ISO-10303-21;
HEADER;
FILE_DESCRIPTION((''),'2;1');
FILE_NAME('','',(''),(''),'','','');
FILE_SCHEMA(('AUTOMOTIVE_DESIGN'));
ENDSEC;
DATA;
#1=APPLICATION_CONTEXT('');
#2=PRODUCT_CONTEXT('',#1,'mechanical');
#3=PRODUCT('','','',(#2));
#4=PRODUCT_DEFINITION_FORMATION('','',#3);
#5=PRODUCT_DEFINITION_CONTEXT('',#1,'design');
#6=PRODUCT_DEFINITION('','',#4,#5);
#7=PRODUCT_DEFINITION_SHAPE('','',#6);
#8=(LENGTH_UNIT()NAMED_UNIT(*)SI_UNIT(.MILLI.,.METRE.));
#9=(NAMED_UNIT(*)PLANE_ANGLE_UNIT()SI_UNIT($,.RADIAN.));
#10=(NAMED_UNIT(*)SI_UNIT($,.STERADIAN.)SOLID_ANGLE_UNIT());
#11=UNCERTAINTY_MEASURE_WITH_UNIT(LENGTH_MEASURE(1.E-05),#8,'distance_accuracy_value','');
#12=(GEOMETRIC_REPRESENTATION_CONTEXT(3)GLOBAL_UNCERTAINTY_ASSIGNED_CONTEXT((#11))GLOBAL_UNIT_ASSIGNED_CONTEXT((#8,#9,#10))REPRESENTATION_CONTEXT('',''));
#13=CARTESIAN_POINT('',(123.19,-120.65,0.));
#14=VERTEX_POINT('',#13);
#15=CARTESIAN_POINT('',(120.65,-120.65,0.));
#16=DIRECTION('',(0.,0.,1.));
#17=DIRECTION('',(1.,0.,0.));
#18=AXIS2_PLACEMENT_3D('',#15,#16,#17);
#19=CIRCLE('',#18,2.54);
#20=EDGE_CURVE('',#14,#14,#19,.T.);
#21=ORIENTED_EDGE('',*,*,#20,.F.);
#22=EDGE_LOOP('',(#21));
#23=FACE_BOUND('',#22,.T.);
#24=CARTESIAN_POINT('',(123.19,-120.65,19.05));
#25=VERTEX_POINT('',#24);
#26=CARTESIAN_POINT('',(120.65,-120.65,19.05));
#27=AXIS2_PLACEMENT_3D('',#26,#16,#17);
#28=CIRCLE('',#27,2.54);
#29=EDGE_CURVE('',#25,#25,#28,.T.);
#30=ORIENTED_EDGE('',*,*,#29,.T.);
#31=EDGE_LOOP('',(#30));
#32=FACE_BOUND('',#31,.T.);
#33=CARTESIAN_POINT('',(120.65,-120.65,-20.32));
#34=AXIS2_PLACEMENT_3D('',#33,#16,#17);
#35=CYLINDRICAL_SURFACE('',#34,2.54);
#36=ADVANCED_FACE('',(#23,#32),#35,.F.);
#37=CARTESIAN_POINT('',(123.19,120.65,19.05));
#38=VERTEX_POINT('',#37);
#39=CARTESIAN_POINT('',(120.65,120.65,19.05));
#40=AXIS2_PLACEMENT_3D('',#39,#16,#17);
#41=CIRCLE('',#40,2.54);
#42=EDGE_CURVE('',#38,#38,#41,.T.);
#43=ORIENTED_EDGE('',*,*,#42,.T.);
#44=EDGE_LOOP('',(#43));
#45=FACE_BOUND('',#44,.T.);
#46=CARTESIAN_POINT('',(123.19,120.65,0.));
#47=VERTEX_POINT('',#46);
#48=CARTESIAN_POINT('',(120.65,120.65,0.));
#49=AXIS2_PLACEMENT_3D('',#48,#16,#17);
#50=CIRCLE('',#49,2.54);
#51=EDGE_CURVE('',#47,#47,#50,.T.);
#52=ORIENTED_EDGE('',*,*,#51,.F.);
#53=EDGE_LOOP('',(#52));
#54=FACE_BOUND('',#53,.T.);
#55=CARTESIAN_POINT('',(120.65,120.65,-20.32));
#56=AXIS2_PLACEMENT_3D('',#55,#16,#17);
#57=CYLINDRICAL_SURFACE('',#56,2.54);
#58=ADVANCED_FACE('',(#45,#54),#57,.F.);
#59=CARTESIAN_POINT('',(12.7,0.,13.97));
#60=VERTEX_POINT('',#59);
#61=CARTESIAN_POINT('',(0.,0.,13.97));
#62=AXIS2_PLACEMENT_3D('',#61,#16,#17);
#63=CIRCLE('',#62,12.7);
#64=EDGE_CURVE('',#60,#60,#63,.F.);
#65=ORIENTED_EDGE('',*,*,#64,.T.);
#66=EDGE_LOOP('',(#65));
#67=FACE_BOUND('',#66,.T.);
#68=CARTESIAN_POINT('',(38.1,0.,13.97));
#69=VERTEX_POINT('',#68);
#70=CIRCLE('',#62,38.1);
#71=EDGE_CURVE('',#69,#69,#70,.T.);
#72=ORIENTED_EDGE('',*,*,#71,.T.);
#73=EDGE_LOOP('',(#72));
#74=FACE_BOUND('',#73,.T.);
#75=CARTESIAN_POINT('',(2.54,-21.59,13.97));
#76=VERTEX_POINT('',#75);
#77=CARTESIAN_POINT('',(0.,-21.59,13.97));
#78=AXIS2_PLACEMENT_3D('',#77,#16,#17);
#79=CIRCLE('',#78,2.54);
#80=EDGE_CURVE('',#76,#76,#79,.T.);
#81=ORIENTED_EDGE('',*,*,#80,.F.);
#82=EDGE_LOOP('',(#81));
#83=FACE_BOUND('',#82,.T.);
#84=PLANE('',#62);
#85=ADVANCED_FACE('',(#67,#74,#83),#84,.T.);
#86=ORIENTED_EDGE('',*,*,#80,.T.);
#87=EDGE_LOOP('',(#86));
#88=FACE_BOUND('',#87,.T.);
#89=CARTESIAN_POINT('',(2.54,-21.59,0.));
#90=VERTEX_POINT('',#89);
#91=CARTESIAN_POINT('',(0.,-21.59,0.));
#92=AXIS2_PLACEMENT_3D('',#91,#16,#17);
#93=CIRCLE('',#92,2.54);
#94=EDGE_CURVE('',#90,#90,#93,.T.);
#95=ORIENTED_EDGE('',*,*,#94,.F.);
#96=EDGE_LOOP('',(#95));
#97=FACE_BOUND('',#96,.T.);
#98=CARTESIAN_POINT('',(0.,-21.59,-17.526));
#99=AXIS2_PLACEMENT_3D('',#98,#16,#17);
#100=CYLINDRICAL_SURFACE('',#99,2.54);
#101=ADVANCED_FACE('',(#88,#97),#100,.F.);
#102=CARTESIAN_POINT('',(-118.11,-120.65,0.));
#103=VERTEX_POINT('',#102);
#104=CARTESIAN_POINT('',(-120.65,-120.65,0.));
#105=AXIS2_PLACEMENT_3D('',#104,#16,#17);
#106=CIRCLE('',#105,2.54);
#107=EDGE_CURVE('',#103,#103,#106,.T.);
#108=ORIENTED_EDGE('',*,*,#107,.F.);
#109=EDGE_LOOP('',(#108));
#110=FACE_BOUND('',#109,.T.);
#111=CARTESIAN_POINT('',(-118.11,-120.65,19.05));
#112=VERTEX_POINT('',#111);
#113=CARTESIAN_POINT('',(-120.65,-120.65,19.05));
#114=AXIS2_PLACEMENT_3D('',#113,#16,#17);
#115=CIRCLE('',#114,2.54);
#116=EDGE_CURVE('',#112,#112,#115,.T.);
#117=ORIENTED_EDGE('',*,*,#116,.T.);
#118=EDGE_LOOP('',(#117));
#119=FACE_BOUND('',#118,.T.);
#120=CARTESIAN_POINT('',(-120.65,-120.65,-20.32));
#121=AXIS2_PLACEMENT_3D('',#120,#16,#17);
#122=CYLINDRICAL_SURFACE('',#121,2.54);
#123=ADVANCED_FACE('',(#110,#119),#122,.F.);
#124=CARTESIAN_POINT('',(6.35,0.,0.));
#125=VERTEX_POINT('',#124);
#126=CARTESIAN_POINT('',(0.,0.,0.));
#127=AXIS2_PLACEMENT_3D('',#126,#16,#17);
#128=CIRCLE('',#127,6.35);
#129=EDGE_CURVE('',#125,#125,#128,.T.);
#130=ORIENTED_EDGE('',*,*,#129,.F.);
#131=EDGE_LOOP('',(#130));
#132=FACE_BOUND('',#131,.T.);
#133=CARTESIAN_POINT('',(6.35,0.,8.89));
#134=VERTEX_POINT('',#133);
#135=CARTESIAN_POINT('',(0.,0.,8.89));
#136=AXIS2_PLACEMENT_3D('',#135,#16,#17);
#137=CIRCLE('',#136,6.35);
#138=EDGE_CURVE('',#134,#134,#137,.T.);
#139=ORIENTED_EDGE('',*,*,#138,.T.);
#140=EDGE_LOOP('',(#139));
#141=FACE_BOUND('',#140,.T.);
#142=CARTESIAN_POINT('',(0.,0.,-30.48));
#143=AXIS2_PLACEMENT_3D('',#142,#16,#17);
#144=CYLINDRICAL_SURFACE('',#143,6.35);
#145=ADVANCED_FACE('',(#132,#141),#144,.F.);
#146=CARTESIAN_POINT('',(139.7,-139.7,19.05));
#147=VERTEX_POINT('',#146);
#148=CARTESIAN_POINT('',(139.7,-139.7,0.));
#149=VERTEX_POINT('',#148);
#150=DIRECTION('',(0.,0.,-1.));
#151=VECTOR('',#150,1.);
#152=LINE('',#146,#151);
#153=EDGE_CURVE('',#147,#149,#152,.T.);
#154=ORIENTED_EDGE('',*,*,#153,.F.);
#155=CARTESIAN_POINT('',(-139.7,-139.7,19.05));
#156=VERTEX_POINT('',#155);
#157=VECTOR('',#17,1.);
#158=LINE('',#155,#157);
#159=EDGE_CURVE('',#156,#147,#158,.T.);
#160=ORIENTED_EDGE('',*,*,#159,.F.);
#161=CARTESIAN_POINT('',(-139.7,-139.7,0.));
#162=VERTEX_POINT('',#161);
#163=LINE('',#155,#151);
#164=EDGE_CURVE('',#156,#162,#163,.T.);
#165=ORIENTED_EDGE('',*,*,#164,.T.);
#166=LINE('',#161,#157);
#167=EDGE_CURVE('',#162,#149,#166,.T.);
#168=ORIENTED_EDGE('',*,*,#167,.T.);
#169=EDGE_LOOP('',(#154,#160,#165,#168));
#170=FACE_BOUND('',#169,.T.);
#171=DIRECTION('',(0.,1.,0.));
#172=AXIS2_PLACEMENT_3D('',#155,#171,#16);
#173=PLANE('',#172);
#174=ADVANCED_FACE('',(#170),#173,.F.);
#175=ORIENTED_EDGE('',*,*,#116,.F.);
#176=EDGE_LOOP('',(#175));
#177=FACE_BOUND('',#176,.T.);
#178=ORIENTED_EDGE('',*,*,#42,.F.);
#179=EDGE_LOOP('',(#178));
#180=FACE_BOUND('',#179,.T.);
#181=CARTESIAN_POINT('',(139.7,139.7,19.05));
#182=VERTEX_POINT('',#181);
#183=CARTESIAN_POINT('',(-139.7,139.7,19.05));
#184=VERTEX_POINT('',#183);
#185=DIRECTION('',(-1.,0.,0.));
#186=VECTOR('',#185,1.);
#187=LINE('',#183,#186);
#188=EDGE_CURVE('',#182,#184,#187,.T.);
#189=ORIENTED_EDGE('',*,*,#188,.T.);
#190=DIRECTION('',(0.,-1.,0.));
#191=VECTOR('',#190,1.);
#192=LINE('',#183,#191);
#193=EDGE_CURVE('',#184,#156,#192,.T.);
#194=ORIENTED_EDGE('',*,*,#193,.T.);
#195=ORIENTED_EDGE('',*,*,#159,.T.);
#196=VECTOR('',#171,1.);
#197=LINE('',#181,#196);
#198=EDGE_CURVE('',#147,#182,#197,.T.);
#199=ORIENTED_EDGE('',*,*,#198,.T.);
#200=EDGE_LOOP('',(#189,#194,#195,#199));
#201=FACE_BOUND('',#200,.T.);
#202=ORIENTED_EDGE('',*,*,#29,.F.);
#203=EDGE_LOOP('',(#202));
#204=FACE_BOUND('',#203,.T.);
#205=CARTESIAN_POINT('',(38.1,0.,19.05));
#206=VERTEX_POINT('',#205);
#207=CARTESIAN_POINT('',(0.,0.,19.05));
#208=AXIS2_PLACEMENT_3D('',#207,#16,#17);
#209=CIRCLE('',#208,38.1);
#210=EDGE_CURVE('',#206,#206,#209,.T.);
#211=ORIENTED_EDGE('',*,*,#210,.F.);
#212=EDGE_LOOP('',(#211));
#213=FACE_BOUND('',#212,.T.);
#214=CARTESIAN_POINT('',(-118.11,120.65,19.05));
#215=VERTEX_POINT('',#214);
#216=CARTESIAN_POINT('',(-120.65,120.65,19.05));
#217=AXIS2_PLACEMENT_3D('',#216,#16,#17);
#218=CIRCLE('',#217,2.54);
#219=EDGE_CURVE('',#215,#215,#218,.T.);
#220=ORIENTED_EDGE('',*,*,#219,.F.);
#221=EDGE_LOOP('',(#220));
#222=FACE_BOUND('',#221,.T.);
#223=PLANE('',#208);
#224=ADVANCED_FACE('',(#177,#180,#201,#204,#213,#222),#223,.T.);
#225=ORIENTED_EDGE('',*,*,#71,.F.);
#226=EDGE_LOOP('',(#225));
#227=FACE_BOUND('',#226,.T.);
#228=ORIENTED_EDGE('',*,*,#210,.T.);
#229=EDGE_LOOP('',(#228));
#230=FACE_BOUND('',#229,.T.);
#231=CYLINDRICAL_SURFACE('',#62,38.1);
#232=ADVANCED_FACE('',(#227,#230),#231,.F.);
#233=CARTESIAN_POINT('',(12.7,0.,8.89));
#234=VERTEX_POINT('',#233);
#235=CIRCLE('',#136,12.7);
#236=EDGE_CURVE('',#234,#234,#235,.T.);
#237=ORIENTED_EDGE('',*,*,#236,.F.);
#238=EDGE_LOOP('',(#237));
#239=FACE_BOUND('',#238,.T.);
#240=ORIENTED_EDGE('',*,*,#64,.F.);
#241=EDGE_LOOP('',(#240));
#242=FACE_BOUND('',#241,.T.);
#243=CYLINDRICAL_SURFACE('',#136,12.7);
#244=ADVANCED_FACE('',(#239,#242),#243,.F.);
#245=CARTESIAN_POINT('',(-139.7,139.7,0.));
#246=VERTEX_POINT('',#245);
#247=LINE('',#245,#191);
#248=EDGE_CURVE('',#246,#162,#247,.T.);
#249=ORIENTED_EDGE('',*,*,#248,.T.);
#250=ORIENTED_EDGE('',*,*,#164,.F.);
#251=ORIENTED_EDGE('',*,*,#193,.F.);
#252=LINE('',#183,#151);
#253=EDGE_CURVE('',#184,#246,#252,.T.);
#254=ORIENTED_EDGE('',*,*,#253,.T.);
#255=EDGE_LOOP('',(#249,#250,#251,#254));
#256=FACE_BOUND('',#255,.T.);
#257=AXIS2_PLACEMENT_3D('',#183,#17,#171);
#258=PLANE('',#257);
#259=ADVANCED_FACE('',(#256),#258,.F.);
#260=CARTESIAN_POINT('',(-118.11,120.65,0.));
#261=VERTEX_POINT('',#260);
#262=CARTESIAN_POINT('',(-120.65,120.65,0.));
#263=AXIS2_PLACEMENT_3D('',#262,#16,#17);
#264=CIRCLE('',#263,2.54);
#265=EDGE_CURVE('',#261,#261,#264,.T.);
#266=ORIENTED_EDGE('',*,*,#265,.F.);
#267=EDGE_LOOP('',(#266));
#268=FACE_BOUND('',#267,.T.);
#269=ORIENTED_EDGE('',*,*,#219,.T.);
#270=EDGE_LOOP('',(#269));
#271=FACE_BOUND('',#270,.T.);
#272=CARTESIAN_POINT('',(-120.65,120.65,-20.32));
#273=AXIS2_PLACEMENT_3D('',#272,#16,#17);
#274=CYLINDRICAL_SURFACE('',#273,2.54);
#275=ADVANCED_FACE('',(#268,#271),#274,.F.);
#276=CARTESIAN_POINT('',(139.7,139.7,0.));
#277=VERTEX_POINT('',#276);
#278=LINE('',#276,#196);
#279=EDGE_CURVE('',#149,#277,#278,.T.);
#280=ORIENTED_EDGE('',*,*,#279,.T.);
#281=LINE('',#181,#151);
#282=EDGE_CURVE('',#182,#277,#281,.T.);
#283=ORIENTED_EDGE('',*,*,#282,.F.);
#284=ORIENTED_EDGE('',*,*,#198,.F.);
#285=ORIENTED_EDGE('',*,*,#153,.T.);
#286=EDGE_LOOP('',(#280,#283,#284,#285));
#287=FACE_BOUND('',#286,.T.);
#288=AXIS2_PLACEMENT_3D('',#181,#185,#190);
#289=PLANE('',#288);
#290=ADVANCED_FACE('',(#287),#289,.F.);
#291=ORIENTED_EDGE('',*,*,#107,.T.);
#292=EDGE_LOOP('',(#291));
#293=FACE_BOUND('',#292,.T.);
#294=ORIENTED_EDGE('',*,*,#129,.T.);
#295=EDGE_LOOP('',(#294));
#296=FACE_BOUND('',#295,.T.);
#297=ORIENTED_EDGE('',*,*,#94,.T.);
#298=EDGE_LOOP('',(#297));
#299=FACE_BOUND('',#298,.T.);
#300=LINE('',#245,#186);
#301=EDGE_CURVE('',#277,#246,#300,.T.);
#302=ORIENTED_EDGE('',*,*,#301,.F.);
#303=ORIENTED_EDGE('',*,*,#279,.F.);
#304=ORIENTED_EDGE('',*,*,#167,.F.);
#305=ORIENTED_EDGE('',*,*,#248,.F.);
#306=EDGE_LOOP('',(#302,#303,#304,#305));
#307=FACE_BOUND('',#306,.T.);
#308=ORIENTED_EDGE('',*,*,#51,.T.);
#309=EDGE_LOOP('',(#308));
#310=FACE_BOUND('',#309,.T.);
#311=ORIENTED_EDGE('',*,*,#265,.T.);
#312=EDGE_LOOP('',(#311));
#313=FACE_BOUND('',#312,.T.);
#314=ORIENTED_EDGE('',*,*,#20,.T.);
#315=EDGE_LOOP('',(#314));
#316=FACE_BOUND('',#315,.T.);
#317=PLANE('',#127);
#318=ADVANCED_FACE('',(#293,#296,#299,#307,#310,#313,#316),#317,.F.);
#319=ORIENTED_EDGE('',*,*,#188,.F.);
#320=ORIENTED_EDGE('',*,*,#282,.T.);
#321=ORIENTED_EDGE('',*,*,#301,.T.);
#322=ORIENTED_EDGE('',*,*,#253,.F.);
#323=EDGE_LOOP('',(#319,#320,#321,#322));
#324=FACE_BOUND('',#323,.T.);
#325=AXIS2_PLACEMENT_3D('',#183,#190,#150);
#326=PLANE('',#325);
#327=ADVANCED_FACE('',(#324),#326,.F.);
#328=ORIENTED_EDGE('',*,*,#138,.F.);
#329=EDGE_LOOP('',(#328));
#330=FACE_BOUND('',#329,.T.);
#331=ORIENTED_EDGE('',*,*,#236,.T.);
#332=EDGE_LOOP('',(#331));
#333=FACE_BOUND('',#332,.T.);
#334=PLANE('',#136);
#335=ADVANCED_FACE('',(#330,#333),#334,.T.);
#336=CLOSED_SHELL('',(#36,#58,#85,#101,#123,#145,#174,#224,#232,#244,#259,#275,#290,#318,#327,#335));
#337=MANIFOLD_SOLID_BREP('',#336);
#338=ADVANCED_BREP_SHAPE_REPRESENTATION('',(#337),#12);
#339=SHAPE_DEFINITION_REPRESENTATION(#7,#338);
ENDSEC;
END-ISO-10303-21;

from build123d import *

# Parameters (mm, degrees)
SKETCH2_W           = 279.4
SKETCH2_H           = 279.4
BOSS_EXTRUDE1_DEPTH = 19.05
SKETCH6_R           = 12.7
CUT_EXTRUDE3_DEPTH  = 10.16
SKETCH8_R           = 38.1
CUT_EXTRUDE4_DEPTH  = 5.08
SKETCH9_R           = 6.35
CUT_EXTRUDE5_DEPTH  = 39.37
SKETCH10_R          = 2.54
CUT_EXTRUDE6_DEPTH  = 39.37
SKETCH11_R          = 2.54
CUT_EXTRUDE7_DEPTH  = 36.576


with BuildPart() as part:
    # Sketch2 → Boss-Extrude1 (new body)
    with BuildSketch(Plane.XY):
        Rectangle(SKETCH2_W, SKETCH2_H)
    extrude(amount=BOSS_EXTRUDE1_DEPTH)

    # Sketch6 → Cut-Extrude3 (cut)
    with BuildSketch(Plane.XY.offset(19.05)):
        Circle(SKETCH6_R)
    extrude(amount=-CUT_EXTRUDE3_DEPTH, mode=Mode.SUBTRACT)

    # Sketch8 → Cut-Extrude4 (cut)
    with BuildSketch(Plane.XY.offset(19.05)):
        Circle(SKETCH8_R)
    extrude(amount=-CUT_EXTRUDE4_DEPTH, mode=Mode.SUBTRACT)

    # Sketch9 → Cut-Extrude5 (cut)
    with BuildSketch(Plane.XY.offset(8.89)):
        Circle(SKETCH9_R)
    extrude(amount=-CUT_EXTRUDE5_DEPTH, mode=Mode.SUBTRACT)

    # Sketch10 → Cut-Extrude6 (cut)
    with BuildSketch(Plane.XY.offset(19.05)):
        with Locations((-120.65, -120.65)):
            Circle(SKETCH10_R)
        with Locations((-120.65, 120.65)):
            Circle(SKETCH10_R)
        with Locations((120.65, 120.65)):
            Circle(SKETCH10_R)
        with Locations((120.65, -120.65)):
            Circle(SKETCH10_R)
    extrude(amount=-CUT_EXTRUDE6_DEPTH, mode=Mode.SUBTRACT)

    # Sketch11 → Cut-Extrude7 (cut)
    with BuildSketch(Plane.XY.offset(19.05)):
        with Locations((0, -21.59)):
            Circle(SKETCH11_R)
    extrude(amount=-CUT_EXTRUDE7_DEPTH, mode=Mode.SUBTRACT)


solid = part.part
